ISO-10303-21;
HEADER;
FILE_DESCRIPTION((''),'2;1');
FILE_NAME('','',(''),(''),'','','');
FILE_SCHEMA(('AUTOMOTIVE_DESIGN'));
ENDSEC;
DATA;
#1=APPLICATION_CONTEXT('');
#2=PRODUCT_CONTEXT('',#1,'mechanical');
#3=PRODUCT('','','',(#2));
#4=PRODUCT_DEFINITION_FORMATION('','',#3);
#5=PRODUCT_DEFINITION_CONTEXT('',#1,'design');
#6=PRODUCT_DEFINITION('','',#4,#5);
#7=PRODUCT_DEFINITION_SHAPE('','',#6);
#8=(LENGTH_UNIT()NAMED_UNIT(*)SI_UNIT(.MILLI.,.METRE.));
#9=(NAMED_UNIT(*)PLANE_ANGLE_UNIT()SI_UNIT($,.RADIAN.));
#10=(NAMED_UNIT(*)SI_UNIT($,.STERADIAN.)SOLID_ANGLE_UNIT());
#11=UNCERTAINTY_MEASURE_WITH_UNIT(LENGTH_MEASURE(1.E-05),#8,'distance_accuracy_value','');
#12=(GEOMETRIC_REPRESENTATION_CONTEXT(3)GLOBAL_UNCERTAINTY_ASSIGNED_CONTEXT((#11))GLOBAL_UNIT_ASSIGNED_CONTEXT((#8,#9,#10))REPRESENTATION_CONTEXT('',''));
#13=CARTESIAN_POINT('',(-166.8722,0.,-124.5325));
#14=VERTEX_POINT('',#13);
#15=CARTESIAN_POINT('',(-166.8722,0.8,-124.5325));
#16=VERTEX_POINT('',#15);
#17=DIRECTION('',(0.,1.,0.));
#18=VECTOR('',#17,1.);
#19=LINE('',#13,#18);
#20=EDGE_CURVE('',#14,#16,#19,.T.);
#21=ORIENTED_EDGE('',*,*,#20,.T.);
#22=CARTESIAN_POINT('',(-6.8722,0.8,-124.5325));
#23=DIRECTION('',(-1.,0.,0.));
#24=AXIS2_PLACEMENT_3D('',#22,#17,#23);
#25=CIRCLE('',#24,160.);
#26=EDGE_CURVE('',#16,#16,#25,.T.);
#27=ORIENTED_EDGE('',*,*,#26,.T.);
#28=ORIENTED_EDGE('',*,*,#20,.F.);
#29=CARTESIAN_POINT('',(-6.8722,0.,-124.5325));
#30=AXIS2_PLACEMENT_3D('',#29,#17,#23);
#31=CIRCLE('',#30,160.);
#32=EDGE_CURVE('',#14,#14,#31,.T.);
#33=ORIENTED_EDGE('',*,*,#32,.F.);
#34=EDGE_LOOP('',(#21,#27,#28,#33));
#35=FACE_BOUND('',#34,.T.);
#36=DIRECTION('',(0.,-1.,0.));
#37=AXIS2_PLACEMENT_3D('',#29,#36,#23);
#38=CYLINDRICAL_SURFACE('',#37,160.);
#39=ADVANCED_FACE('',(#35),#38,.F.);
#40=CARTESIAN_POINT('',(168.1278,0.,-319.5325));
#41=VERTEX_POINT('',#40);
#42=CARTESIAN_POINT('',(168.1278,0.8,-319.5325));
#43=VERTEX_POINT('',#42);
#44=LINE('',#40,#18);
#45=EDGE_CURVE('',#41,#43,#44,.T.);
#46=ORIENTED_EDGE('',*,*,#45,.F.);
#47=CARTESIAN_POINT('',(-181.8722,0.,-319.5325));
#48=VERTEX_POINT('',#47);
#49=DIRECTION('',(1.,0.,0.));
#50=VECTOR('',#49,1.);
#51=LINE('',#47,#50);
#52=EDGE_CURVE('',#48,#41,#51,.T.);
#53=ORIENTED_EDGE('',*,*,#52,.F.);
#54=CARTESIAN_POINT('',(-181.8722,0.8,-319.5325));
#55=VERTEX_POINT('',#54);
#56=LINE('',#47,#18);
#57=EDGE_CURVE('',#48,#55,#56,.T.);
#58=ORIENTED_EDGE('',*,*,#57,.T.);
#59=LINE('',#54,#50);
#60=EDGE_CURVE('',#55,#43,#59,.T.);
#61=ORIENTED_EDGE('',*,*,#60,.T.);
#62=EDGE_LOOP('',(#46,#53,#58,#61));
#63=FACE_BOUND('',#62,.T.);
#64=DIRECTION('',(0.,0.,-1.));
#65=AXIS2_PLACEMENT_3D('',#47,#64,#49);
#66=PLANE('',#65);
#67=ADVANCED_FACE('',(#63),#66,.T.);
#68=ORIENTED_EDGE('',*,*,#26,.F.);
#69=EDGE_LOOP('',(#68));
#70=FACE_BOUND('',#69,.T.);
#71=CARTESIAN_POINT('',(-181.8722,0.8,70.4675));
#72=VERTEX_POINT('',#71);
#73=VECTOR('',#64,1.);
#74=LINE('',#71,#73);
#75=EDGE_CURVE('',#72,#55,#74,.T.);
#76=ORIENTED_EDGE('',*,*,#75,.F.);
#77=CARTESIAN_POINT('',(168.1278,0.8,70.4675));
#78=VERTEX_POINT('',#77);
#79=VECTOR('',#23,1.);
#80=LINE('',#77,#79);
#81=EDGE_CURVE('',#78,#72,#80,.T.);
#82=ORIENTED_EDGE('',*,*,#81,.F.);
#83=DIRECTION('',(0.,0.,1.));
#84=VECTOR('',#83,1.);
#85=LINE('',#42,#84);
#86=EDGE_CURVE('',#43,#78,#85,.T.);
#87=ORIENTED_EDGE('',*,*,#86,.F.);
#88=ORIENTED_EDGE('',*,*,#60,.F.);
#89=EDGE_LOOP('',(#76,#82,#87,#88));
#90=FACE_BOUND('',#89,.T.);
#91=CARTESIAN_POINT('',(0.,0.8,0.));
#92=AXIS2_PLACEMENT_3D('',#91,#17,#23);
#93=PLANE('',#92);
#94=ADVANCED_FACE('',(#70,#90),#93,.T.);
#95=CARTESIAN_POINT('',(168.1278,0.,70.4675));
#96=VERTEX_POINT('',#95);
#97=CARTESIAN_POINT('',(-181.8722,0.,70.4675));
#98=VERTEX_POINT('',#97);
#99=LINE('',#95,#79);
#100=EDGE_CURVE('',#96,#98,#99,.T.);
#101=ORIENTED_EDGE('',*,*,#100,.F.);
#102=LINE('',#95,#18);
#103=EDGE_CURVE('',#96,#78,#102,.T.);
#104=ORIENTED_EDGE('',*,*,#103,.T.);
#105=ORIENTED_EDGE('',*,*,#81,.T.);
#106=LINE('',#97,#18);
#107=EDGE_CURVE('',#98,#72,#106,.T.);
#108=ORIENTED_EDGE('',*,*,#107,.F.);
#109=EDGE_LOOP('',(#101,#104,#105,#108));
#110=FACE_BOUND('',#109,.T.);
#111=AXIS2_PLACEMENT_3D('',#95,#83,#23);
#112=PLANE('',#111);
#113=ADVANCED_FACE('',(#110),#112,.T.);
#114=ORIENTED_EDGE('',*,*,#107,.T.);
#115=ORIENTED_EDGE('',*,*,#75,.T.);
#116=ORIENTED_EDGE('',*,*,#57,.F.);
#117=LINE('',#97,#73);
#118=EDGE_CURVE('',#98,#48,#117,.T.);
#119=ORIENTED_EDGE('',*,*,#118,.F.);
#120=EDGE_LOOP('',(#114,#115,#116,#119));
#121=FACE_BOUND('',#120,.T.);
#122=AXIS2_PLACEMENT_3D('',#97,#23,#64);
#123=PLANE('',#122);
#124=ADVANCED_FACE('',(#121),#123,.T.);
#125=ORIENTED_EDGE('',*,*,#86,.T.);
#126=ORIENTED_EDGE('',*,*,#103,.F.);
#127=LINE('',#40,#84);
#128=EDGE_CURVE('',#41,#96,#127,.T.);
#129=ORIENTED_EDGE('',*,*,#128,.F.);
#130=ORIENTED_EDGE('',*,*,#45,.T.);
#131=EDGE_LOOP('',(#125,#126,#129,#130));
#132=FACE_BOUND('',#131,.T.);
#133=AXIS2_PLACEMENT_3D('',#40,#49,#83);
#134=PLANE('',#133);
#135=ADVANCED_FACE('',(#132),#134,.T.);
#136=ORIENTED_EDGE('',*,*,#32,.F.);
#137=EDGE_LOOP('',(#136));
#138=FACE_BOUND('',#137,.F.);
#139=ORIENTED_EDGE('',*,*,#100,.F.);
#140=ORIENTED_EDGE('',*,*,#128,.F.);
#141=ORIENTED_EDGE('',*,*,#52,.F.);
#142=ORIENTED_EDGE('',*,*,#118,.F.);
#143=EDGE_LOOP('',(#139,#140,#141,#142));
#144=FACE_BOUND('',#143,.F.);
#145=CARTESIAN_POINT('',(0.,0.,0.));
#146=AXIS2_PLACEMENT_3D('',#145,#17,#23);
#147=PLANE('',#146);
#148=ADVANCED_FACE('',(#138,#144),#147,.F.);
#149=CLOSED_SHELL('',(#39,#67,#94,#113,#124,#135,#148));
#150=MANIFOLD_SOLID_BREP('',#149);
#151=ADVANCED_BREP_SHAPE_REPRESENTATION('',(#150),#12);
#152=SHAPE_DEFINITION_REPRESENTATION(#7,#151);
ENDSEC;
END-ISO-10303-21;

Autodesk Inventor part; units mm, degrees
ref_plane "YZ Plane" through (0, 0, 0) normal (1, 0, 0) x (0, 1, 0)
ref_plane "XZ Plane" through (0, 0, 0) normal (0, 1, 0) x (-1, 0, 0)
ref_plane "XY Plane" through (0, 0, 0) normal (0, 0, 1) x (1, 0, 0)
sketch "Sketch1" plane through (0, 0, 0) normal (0, 1, 0) x (-1, 0, 0)
  line L0 (-168.1278, 70.4675) -> (181.8722, 70.4675)
  line L1 (181.8722, 70.4675) -> (181.8722, -319.5325)
  line L2 (181.8722, -319.5325) -> (-168.1278, -319.5325)
  line L3 (-168.1278, -319.5325) -> (-168.1278, 70.4675)
  circle A0 centre (6.8722, -124.5325) radius 160
  point P0 (0, 0)
  dimension "d0" = 350
  dimension "d1" = 390
  dimension "d2" = 320
extrude "Extrusion1" add sketch "Sketch1" along normal blind 0.8
properties part number "side350x390_hull"
